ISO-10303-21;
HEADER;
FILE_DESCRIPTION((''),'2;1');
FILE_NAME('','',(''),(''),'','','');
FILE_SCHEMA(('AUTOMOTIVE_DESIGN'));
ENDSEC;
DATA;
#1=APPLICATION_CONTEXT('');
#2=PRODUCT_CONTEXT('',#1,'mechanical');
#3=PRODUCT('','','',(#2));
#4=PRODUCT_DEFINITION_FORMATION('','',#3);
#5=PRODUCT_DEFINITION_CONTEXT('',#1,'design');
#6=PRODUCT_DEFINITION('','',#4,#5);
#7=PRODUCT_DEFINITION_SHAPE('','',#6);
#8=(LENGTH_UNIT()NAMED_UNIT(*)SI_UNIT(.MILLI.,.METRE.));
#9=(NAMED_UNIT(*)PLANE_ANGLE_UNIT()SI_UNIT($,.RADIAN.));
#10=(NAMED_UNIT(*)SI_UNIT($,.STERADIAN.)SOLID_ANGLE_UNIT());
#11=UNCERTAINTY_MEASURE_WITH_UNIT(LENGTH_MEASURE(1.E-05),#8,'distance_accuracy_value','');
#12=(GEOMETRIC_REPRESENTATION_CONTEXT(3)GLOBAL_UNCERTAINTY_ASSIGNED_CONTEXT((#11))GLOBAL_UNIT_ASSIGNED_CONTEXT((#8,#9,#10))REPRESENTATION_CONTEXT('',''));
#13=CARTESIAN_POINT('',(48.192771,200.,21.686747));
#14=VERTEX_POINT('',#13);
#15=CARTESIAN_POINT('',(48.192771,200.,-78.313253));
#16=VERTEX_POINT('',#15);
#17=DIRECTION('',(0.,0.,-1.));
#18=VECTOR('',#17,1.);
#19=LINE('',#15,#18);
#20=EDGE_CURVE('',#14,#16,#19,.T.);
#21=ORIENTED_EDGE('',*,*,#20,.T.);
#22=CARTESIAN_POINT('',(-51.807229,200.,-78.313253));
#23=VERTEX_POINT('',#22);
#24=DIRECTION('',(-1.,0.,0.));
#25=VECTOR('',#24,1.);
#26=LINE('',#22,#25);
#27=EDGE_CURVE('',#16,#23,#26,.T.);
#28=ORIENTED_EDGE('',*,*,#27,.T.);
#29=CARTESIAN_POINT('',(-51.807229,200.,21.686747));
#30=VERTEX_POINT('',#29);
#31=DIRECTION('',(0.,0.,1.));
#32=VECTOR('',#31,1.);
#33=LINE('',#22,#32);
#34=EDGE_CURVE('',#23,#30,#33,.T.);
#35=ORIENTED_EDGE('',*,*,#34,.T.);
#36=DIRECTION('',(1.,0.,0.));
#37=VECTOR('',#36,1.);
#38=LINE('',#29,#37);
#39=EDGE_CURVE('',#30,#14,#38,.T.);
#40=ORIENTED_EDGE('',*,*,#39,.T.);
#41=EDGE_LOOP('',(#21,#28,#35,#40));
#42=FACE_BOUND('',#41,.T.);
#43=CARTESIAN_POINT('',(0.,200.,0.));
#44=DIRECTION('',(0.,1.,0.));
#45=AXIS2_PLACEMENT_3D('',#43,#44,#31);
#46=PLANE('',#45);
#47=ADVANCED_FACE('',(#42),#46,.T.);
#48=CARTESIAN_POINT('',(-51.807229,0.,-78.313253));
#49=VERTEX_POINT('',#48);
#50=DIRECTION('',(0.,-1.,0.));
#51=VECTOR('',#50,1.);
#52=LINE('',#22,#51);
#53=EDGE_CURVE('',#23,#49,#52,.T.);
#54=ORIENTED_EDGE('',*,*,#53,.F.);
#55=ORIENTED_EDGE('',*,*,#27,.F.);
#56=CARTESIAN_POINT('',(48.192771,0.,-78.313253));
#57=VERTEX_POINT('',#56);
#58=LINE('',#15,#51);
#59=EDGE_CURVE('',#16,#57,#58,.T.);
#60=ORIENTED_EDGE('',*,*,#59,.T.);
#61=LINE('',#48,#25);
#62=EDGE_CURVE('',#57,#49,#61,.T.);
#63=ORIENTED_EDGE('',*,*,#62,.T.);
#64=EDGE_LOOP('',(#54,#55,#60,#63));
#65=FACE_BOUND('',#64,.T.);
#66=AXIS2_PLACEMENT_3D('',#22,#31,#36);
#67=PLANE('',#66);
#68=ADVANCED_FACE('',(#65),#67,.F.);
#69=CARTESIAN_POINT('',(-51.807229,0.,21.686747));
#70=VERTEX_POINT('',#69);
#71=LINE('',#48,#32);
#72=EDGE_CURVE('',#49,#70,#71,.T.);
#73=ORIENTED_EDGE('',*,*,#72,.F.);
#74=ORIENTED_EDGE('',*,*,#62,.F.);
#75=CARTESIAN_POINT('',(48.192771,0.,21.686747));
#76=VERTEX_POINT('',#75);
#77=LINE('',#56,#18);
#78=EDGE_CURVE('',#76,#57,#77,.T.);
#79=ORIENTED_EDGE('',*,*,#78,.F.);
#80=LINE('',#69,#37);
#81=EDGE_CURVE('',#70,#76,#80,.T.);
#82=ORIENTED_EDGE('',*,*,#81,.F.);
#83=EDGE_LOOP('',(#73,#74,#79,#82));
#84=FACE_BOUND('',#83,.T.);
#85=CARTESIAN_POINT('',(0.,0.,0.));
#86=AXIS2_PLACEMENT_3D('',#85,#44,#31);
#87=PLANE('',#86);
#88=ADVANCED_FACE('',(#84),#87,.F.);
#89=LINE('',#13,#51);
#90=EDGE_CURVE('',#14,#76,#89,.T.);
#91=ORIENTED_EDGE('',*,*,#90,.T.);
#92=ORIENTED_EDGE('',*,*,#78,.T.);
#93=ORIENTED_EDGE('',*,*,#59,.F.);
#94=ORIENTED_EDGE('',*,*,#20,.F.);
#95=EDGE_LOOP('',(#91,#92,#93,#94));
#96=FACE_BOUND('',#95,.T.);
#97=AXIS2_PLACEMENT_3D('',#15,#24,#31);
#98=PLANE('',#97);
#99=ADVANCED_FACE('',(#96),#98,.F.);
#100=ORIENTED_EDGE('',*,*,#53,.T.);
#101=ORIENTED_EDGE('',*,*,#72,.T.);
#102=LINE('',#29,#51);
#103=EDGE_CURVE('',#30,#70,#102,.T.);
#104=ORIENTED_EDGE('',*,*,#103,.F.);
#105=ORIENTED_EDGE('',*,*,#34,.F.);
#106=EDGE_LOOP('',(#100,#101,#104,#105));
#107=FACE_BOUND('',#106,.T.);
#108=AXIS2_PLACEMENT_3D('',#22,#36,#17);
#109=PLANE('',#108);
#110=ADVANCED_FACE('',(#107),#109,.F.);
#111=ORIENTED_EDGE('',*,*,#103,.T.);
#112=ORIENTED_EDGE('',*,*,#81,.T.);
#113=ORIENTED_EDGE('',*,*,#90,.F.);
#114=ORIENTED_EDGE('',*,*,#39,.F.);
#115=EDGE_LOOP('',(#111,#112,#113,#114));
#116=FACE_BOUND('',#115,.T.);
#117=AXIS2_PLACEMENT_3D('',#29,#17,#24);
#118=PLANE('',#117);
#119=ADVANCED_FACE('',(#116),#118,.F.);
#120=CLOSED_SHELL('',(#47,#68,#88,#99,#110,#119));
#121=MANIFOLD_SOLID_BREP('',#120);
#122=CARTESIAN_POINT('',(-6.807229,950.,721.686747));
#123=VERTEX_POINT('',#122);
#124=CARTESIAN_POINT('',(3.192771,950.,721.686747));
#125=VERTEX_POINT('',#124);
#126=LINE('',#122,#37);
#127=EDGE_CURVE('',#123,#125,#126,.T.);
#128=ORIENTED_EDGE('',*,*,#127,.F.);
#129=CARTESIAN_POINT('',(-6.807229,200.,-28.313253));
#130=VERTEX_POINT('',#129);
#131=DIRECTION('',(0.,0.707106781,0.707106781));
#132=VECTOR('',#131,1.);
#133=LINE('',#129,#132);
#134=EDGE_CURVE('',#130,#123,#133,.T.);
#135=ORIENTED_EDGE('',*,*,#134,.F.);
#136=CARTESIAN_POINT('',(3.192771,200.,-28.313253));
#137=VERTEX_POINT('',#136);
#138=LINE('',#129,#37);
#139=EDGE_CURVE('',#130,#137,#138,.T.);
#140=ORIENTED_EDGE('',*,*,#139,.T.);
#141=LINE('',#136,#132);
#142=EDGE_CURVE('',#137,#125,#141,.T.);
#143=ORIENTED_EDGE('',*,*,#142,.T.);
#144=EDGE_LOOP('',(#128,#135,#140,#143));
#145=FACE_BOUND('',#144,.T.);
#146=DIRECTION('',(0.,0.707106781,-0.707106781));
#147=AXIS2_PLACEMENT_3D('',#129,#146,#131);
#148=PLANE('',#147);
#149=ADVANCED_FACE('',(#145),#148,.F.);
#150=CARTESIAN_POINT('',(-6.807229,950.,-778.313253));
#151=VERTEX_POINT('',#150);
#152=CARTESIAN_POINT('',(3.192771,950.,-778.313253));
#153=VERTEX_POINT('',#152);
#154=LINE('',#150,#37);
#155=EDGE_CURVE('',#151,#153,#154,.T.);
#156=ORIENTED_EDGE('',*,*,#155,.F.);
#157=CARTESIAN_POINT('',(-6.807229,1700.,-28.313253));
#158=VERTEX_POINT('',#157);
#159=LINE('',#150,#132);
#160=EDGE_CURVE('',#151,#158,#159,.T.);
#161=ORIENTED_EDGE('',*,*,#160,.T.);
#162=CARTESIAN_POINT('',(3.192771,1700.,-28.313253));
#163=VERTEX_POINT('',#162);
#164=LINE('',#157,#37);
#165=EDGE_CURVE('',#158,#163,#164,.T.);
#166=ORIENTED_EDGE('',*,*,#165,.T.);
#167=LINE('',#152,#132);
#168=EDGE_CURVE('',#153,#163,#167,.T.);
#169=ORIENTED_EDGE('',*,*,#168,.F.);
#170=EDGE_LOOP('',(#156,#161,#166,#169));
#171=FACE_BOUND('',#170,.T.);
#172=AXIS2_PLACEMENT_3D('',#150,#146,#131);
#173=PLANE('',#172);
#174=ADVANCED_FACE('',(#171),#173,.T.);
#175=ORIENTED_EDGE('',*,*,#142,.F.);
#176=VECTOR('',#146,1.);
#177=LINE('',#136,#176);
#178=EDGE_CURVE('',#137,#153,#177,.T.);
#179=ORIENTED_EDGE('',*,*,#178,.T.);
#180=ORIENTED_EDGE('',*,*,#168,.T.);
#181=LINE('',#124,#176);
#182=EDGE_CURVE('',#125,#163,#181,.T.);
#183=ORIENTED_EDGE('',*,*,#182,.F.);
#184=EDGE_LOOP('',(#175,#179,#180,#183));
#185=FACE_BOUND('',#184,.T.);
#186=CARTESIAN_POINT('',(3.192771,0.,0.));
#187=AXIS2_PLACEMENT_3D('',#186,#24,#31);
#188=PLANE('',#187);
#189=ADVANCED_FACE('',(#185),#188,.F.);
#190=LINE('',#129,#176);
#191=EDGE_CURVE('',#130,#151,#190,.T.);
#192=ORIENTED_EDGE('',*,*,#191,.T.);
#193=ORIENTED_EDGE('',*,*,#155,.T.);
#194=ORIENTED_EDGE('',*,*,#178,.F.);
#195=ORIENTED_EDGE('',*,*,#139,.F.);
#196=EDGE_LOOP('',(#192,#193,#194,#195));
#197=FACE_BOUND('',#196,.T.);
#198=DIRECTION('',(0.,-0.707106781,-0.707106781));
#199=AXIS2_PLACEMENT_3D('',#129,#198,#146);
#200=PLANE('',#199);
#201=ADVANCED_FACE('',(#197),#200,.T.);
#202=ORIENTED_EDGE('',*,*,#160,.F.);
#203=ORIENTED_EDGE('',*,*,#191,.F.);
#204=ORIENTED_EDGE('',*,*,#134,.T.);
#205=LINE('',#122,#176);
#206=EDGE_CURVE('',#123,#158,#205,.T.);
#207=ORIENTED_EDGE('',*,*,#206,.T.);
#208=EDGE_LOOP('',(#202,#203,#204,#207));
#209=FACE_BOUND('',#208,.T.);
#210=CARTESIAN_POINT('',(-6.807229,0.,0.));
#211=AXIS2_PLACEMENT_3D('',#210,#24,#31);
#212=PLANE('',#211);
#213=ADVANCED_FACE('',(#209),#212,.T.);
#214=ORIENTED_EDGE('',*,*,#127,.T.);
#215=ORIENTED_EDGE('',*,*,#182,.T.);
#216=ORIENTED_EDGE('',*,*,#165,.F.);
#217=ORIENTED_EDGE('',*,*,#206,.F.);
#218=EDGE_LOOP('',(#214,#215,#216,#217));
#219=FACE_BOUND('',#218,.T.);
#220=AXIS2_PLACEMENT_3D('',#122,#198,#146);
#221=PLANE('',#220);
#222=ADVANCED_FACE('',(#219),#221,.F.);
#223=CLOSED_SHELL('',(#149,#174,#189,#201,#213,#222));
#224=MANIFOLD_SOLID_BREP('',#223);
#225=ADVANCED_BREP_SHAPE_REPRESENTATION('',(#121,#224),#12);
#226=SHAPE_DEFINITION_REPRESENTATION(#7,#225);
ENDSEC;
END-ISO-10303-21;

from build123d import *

# Parameters (mm, degrees)
SKETCH1_W                = 100
SKETCH1_H                = 100
BOSS_EXTRUDE1_DEPTH      = 200
BOSS_EXTRUDE2_DEPTH      = 5
BOSS_EXTRUDE2_DEPTH_BACK = 5


with BuildPart() as part:
    # Sketch1 → Boss-Extrude1 (new body)
    with BuildSketch(Plane(origin=(0, 0, 0), x_dir=(1, 0, 0), z_dir=(0, 1, 0))):
        with Locations((-1.807228916, 28.313253012)):
            Rectangle(SKETCH1_W, SKETCH1_H)
    extrude(amount=BOSS_EXTRUDE1_DEPTH)


with BuildPart() as body_2:
    # Sketch2 → Boss-Extrude2 (new body, two sides)
    with BuildSketch(Plane(origin=(-1.807228916, 0, 0), x_dir=(0, 0, -1), z_dir=(1, 0, 0))) as boss_extrude2_sk:
        Polygon((28.313253012, 200), (778.313253012, 950), (28.313253012, 1700), (-721.686746988, 950), align=None)
    extrude(amount=BOSS_EXTRUDE2_DEPTH)
    extrude(boss_extrude2_sk.sketch, amount=-BOSS_EXTRUDE2_DEPTH_BACK)


solid = Compound([part.part, body_2.part])
